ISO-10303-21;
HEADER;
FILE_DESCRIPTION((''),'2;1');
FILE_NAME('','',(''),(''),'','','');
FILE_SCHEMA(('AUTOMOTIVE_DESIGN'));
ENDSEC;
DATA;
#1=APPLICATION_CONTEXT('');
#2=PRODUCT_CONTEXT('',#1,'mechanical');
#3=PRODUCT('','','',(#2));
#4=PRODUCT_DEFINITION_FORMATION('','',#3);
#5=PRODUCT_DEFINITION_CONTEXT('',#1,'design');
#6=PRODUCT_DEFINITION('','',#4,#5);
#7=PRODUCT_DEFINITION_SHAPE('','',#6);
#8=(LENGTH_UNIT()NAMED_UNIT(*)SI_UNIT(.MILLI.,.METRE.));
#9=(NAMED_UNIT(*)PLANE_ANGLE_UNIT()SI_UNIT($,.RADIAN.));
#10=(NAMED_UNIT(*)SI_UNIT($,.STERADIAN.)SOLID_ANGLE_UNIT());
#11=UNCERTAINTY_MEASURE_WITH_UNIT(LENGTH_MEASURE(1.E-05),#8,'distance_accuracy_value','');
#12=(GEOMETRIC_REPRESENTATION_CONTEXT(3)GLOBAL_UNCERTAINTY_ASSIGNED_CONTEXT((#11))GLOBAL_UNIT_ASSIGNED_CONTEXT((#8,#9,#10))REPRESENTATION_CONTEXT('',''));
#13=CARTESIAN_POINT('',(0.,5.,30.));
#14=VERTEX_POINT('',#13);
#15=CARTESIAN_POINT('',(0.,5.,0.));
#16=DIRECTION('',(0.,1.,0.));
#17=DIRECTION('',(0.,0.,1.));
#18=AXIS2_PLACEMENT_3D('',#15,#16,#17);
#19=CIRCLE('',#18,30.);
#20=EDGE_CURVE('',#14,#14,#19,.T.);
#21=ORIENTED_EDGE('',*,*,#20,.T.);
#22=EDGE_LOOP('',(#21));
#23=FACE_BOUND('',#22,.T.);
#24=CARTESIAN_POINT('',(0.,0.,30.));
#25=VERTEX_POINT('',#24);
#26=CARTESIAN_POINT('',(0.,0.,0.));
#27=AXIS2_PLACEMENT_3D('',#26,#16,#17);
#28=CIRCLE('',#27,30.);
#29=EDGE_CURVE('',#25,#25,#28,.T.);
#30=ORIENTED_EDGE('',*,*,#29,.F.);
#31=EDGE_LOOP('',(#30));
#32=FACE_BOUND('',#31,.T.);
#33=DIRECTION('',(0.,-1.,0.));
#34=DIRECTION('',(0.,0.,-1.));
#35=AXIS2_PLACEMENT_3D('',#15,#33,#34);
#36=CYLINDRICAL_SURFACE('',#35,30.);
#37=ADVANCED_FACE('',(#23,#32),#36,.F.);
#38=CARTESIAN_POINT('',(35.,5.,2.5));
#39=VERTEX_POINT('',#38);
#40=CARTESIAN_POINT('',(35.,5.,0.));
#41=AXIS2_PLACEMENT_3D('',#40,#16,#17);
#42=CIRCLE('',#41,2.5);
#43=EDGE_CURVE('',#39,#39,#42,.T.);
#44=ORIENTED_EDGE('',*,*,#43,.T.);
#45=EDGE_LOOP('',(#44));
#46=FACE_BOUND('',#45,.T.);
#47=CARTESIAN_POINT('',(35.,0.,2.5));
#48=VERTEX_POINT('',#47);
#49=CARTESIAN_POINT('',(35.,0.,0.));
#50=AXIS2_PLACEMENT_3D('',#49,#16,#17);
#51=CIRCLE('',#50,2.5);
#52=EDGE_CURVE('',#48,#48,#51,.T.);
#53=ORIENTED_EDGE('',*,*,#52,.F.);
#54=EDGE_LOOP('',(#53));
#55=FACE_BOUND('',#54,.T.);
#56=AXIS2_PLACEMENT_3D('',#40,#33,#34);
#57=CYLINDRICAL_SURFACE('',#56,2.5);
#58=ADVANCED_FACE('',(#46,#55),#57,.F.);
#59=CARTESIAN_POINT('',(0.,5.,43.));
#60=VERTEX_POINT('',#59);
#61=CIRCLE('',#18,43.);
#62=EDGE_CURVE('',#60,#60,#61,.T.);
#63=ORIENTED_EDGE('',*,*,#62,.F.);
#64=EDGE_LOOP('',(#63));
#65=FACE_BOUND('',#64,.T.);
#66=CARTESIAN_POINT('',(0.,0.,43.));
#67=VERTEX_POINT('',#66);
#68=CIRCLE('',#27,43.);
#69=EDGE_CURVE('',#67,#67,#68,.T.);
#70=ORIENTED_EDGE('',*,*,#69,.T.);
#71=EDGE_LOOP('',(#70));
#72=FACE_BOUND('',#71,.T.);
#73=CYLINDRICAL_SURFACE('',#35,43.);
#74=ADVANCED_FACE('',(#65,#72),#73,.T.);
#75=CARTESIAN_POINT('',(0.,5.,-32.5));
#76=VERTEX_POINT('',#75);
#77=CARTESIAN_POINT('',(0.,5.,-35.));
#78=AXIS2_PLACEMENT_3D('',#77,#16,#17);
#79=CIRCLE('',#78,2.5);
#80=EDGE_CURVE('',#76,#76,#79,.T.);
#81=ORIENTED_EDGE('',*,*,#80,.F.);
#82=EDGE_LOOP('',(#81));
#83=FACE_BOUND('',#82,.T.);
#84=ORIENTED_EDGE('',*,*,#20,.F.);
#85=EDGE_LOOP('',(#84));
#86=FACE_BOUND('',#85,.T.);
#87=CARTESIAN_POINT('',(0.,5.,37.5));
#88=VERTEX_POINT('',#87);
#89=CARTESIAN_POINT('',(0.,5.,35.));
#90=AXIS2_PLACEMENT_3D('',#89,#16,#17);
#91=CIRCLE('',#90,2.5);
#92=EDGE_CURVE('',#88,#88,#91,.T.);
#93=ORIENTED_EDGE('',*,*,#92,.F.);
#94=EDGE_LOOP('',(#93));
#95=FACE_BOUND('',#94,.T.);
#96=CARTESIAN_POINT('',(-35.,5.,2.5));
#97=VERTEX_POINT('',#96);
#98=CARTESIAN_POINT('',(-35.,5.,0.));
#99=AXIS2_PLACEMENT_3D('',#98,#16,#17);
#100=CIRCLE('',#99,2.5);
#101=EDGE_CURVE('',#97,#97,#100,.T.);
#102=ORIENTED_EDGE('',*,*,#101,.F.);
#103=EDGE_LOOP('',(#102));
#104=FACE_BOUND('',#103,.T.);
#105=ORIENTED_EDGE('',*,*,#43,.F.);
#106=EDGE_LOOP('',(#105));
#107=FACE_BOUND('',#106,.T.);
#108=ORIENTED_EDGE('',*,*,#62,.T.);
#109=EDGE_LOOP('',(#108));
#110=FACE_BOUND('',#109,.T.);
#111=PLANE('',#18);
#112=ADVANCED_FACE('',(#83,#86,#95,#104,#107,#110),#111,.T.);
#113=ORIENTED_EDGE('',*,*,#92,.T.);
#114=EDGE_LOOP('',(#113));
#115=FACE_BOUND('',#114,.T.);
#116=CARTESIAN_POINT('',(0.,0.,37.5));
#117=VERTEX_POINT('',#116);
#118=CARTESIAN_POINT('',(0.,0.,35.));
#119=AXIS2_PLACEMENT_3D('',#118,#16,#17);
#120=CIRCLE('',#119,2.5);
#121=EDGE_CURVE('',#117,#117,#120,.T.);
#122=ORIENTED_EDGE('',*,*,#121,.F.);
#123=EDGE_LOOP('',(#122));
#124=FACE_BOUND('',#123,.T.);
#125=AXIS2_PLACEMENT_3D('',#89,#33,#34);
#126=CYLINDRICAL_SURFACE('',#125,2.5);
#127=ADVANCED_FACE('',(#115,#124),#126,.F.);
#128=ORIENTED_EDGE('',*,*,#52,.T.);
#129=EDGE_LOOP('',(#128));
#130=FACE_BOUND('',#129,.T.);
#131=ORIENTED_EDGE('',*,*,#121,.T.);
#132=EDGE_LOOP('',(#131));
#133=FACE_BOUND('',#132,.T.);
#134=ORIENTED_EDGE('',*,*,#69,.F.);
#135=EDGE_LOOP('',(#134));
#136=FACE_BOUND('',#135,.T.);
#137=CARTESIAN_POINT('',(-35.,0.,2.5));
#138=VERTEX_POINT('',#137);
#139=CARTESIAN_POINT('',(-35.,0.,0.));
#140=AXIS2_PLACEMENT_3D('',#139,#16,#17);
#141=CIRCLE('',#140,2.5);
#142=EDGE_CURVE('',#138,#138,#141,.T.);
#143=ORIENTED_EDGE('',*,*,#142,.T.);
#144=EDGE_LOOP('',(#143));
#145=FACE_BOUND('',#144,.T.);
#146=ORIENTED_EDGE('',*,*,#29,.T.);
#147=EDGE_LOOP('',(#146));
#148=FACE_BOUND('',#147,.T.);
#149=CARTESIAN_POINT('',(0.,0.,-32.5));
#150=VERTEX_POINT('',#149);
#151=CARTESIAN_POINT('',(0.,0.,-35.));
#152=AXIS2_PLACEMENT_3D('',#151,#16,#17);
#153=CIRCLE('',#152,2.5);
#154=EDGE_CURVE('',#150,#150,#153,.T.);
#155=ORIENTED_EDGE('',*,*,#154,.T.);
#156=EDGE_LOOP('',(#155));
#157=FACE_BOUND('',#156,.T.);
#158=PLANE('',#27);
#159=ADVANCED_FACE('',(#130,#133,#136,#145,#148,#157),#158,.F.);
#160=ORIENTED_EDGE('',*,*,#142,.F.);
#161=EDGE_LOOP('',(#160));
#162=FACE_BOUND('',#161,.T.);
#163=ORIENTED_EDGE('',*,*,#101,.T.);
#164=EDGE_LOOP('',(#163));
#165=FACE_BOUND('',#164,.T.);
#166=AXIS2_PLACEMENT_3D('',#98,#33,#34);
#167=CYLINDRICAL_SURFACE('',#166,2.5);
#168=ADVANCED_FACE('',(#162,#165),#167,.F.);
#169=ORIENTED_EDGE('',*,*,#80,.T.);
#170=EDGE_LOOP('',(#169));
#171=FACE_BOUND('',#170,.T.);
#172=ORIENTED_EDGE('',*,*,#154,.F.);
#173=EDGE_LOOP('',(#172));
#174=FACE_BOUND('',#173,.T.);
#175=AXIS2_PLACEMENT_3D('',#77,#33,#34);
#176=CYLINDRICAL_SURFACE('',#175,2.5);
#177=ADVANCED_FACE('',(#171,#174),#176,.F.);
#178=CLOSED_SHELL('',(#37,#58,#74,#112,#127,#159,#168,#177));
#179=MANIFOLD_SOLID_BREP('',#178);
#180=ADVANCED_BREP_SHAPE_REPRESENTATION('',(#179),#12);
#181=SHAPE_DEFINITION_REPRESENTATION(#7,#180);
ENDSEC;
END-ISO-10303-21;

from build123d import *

# Parameters (mm, degrees)
SKETCH1_R           = 43
SKETCH1_R_2         = 2.5
SKETCH1_R_3         = 30
BOSS_EXTRUDE1_DEPTH = 5


with BuildPart() as part:
    # Sketch1 → Boss-Extrude1 (new body)
    with BuildSketch(Plane(origin=(0, 0, 0), x_dir=(1, 0, 0), z_dir=(0, 1, 0))):
        with Locations(Location((0, 0, 0), (0, 0, 270))):
            Circle(SKETCH1_R)
        with Locations(Location((-35, 0, 0), (0, 0, 270))):
            Circle(SKETCH1_R_2, mode=Mode.SUBTRACT)
        with Locations(Location((0, 35, 0), (0, 0, 270))):
            Circle(SKETCH1_R_2, mode=Mode.SUBTRACT)
        with Locations(Location((35, 0, 0), (0, 0, 270))):
            Circle(SKETCH1_R_2, mode=Mode.SUBTRACT)
        with Locations(Location((0, -35, 0), (0, 0, 270))):
            Circle(SKETCH1_R_2, mode=Mode.SUBTRACT)
        with Locations(Location((0, 0, 0), (0, 0, 270))):
            Circle(SKETCH1_R_3, mode=Mode.SUBTRACT)
    extrude(amount=BOSS_EXTRUDE1_DEPTH)


solid = part.part
